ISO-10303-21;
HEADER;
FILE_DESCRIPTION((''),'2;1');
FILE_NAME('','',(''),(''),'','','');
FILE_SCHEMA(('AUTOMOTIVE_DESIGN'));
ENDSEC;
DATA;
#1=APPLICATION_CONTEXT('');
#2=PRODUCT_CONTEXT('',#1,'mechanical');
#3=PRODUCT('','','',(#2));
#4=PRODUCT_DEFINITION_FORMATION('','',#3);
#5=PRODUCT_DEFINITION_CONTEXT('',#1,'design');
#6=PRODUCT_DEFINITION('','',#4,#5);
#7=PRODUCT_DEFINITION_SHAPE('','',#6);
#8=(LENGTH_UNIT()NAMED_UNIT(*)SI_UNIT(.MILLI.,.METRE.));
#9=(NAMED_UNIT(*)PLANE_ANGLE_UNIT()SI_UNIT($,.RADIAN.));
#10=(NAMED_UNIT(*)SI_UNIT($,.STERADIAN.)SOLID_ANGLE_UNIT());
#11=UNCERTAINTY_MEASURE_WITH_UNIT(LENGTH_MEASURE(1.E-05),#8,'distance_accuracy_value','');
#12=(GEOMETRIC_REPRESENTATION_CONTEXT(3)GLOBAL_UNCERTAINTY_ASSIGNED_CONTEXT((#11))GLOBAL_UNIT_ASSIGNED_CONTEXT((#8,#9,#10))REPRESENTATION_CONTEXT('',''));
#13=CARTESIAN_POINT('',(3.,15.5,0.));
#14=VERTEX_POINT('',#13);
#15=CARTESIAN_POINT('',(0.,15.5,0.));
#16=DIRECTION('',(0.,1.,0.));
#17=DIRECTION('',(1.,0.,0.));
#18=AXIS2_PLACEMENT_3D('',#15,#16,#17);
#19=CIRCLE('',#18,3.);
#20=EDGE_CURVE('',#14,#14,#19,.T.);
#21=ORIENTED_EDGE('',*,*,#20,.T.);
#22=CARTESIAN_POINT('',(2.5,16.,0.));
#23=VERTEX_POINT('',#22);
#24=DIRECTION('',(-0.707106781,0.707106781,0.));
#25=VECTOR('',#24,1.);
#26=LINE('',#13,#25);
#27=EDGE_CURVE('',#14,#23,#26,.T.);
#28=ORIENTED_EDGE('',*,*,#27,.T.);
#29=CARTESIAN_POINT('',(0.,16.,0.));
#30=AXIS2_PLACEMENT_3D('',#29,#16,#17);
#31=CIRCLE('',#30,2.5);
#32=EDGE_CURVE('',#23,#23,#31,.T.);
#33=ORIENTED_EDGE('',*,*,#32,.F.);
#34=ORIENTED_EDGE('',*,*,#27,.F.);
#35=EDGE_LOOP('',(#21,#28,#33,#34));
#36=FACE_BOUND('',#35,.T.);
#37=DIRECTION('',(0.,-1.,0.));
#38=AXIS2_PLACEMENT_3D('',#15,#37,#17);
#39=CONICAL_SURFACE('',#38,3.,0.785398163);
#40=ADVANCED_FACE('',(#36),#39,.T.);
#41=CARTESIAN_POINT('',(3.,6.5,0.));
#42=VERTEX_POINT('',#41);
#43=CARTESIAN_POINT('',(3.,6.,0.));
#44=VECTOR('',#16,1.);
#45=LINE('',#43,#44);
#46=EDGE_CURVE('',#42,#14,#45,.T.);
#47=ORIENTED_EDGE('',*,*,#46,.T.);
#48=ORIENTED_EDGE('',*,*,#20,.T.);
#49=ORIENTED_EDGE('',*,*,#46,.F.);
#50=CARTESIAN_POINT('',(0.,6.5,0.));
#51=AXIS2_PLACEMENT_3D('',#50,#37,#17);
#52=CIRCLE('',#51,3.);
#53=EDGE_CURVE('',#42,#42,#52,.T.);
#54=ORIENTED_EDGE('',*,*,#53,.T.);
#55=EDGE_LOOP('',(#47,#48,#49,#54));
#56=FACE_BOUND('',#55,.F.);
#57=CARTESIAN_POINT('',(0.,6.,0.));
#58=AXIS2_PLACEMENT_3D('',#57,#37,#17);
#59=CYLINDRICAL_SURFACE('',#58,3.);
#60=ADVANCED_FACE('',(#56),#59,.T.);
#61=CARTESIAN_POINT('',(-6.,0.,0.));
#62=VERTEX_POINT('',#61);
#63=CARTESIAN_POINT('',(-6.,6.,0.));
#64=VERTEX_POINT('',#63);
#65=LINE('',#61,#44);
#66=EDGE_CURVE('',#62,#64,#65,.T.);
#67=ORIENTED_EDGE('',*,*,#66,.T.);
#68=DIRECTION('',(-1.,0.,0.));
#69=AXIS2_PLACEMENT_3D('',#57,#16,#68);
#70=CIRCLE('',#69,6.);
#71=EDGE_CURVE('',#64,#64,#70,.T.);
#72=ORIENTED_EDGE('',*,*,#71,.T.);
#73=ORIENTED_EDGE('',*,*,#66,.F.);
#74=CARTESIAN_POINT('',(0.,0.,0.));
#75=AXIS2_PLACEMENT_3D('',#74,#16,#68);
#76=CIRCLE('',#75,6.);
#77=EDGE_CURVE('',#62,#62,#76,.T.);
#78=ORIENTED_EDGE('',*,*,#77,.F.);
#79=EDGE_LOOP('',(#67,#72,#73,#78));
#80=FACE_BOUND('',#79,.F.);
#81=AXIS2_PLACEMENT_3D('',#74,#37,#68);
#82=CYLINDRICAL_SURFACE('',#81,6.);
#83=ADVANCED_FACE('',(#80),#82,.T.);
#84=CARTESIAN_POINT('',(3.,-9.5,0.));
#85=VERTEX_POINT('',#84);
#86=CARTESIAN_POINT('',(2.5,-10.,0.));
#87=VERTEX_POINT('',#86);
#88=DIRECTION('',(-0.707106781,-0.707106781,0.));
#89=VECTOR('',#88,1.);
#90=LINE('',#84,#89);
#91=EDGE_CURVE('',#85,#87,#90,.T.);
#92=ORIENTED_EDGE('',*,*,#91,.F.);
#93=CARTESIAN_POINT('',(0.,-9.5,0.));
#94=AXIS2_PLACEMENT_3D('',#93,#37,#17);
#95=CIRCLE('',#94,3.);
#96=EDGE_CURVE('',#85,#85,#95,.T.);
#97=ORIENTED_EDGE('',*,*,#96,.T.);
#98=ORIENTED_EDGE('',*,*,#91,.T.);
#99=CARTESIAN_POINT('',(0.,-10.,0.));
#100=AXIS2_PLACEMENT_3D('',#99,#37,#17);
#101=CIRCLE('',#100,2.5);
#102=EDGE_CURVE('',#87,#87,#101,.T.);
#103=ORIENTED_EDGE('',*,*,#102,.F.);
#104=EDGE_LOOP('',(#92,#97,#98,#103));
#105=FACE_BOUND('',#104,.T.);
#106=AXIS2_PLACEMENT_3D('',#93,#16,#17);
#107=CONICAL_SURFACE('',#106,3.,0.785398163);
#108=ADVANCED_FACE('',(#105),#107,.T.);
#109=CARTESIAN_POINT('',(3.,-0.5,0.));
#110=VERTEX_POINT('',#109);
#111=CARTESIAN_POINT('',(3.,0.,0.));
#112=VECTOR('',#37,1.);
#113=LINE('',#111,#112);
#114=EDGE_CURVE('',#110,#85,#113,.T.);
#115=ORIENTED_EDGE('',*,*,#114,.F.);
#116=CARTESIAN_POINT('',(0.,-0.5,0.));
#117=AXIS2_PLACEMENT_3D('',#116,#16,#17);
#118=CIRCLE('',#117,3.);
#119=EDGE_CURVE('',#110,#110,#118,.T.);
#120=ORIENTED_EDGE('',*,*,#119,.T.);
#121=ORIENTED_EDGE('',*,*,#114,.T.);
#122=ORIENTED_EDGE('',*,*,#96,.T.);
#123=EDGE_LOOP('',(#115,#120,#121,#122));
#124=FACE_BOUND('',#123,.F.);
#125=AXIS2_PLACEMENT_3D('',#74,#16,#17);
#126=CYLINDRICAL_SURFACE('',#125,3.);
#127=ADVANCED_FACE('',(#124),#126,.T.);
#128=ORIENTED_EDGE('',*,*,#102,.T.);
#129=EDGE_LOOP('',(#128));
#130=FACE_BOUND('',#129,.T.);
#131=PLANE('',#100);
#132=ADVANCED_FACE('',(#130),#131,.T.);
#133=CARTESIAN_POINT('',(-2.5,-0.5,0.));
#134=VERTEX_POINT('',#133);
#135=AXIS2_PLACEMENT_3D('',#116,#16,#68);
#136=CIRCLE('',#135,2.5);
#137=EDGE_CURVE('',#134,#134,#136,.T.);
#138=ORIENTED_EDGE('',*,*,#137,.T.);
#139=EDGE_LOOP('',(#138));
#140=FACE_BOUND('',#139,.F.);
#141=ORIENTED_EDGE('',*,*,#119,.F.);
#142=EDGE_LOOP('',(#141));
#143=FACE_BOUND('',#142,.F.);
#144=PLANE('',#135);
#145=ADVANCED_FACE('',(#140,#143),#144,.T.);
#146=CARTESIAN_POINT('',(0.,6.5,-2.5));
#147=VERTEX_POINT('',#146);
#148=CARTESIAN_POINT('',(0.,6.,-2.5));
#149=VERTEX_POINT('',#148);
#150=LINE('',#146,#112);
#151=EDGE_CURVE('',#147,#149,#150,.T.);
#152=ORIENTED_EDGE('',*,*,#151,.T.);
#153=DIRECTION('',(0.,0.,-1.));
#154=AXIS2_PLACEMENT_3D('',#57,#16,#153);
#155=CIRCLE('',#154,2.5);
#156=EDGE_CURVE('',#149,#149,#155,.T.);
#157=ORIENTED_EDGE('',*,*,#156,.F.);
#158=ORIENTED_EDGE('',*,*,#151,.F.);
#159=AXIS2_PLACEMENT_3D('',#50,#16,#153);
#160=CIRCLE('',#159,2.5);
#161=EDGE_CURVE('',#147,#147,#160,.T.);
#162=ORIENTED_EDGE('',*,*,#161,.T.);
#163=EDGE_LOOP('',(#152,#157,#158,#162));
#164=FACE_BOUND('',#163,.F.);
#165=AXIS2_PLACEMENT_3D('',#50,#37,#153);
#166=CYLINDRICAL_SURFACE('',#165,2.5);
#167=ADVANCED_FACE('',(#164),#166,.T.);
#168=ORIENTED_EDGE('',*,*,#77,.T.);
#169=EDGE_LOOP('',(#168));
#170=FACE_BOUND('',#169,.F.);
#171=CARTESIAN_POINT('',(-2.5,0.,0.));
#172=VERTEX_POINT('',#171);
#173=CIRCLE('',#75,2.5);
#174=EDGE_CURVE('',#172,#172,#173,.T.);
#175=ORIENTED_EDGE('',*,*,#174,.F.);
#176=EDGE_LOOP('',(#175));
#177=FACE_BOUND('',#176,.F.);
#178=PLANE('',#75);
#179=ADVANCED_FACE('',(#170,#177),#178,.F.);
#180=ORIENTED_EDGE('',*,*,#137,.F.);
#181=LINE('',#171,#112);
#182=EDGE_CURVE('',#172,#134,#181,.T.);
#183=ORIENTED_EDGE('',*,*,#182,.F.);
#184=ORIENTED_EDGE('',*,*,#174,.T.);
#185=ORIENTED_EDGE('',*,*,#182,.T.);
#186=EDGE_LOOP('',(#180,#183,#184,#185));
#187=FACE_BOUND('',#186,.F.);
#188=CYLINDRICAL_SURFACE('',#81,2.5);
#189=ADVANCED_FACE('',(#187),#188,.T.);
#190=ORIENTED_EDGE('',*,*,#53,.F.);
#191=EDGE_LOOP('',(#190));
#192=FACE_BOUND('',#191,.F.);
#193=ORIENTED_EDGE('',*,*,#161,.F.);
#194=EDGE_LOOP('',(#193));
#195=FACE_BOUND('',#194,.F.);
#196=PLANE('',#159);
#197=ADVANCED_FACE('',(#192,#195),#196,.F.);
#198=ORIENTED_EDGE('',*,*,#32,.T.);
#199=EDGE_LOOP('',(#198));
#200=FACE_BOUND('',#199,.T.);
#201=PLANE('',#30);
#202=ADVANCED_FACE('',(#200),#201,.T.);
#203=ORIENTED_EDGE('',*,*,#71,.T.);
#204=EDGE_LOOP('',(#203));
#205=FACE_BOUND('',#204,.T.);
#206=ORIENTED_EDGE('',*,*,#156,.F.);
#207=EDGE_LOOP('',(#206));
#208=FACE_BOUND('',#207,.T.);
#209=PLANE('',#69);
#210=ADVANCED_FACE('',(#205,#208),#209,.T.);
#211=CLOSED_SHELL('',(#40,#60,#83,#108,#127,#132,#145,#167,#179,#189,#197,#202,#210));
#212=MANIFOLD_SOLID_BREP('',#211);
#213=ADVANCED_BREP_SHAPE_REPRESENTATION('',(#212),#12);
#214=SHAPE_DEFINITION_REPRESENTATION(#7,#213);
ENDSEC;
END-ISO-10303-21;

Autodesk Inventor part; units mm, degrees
ref_plane "YZ Plane" through (0, 0, 0) normal (1, 0, 0) x (0, 1, 0)
ref_plane "XZ Plane" through (0, 0, 0) normal (0, 1, 0) x (-1, 0, 0)
ref_plane "XY Plane" through (0, 0, 0) normal (0, 0, 1) x (1, 0, 0)
sketch "Sketch1" plane through (0, 0, 0) normal (0, 1, 0) x (-1, 0, 0)
  circle A0 centre (0, 0) radius 6
  dimension "d0" = 12
extrude "srodek" add sketch "Sketch1" along normal blind 6
sketch "Sketch2" plane through (0, 0, 0) normal (0, -1, 0) x (1, 0, 0)
  circle A0 centre (0, 0) radius 6 projected
  circle A1 centre (0, 0) radius 3
  dimension "d3" = 6
extrude "dolne" add sketch "Sketch2" along normal blind 10 contours A1
thread "Thread1" size "M6x1" class "6g" standard "ANSI Metric M Profile" full length
chamfer "Chamfer1" distance 0.5 angle 45 1 edges at (-3, -10, 0)
sketch "Sketch3" plane through (0, 0, 0) normal (0, 0, 1) x (1, 0, 0)
  line L0 (3, 0) -> (-3, 0) projected
  line L1 (-3, 0) -> (-2.5, 0)
  line L2 (-2.5, 0) -> (-2.5, -0.5)
  line L3 (-2.5, -0.5) -> (-3, -0.5)
  line L4 (-3, -0.5) -> (-3, 0)
  line L5 (0, -0.6) -> (0, 0.1) projected
  point P0 (0, 0)
  point P1 (-2.5, 0)
  dimension "d11" = 0.5
  dimension "d12" = 0.5
revolve "Revolution1" cut sketch "Sketch3" angle 360 about axis through (0, -10, 0) along (0, 1, 0)
sketch "Sketch6" plane through (0, 6, 0) normal (0, 1, 0) x (1, 0, 0)
  circle A0 centre (0, 0) radius 4 projected
  circle A1 centre (0, 0) radius 3
  dimension "d19" = 6
extrude "mocowanie K1" add sketch "Sketch6" along normal blind 10 contours A1
sketch "Sketch7" plane through (0, 0, 0) normal (1, 0, 0) x (0, 1, 0)
  line L0 (6, -3) -> (6.5, -3)
  line L1 (6.5, -3) -> (6.5, -2.5)
  line L2 (6.5, -2.5) -> (6, -2.5)
  line L3 (6, -2.5) -> (6, -3)
  line L4 (-3.2, 0) -> (19.2, 0) projected
  line L5 (16, -3) -> (16, 3) construction
  line L6 (6, 3) -> (6, -3) construction
  point P0 (0, 0)
  dimension "d27" = 0.5
  dimension "d28" = 0.5
revolve "Revolution2" cut sketch "Sketch7" angle 360 about axis through (0, -10, 0) along (0, 1, 0)
thread "Thread3" size "M6x1" class "6g" standard "ISO Metric profile" full length
chamfer "Chamfer3" distance 0.5 angle 45 1 edges at (-3, 16, 0)
properties part number "KN-00-02-04" material "X5CrNi18-10"
